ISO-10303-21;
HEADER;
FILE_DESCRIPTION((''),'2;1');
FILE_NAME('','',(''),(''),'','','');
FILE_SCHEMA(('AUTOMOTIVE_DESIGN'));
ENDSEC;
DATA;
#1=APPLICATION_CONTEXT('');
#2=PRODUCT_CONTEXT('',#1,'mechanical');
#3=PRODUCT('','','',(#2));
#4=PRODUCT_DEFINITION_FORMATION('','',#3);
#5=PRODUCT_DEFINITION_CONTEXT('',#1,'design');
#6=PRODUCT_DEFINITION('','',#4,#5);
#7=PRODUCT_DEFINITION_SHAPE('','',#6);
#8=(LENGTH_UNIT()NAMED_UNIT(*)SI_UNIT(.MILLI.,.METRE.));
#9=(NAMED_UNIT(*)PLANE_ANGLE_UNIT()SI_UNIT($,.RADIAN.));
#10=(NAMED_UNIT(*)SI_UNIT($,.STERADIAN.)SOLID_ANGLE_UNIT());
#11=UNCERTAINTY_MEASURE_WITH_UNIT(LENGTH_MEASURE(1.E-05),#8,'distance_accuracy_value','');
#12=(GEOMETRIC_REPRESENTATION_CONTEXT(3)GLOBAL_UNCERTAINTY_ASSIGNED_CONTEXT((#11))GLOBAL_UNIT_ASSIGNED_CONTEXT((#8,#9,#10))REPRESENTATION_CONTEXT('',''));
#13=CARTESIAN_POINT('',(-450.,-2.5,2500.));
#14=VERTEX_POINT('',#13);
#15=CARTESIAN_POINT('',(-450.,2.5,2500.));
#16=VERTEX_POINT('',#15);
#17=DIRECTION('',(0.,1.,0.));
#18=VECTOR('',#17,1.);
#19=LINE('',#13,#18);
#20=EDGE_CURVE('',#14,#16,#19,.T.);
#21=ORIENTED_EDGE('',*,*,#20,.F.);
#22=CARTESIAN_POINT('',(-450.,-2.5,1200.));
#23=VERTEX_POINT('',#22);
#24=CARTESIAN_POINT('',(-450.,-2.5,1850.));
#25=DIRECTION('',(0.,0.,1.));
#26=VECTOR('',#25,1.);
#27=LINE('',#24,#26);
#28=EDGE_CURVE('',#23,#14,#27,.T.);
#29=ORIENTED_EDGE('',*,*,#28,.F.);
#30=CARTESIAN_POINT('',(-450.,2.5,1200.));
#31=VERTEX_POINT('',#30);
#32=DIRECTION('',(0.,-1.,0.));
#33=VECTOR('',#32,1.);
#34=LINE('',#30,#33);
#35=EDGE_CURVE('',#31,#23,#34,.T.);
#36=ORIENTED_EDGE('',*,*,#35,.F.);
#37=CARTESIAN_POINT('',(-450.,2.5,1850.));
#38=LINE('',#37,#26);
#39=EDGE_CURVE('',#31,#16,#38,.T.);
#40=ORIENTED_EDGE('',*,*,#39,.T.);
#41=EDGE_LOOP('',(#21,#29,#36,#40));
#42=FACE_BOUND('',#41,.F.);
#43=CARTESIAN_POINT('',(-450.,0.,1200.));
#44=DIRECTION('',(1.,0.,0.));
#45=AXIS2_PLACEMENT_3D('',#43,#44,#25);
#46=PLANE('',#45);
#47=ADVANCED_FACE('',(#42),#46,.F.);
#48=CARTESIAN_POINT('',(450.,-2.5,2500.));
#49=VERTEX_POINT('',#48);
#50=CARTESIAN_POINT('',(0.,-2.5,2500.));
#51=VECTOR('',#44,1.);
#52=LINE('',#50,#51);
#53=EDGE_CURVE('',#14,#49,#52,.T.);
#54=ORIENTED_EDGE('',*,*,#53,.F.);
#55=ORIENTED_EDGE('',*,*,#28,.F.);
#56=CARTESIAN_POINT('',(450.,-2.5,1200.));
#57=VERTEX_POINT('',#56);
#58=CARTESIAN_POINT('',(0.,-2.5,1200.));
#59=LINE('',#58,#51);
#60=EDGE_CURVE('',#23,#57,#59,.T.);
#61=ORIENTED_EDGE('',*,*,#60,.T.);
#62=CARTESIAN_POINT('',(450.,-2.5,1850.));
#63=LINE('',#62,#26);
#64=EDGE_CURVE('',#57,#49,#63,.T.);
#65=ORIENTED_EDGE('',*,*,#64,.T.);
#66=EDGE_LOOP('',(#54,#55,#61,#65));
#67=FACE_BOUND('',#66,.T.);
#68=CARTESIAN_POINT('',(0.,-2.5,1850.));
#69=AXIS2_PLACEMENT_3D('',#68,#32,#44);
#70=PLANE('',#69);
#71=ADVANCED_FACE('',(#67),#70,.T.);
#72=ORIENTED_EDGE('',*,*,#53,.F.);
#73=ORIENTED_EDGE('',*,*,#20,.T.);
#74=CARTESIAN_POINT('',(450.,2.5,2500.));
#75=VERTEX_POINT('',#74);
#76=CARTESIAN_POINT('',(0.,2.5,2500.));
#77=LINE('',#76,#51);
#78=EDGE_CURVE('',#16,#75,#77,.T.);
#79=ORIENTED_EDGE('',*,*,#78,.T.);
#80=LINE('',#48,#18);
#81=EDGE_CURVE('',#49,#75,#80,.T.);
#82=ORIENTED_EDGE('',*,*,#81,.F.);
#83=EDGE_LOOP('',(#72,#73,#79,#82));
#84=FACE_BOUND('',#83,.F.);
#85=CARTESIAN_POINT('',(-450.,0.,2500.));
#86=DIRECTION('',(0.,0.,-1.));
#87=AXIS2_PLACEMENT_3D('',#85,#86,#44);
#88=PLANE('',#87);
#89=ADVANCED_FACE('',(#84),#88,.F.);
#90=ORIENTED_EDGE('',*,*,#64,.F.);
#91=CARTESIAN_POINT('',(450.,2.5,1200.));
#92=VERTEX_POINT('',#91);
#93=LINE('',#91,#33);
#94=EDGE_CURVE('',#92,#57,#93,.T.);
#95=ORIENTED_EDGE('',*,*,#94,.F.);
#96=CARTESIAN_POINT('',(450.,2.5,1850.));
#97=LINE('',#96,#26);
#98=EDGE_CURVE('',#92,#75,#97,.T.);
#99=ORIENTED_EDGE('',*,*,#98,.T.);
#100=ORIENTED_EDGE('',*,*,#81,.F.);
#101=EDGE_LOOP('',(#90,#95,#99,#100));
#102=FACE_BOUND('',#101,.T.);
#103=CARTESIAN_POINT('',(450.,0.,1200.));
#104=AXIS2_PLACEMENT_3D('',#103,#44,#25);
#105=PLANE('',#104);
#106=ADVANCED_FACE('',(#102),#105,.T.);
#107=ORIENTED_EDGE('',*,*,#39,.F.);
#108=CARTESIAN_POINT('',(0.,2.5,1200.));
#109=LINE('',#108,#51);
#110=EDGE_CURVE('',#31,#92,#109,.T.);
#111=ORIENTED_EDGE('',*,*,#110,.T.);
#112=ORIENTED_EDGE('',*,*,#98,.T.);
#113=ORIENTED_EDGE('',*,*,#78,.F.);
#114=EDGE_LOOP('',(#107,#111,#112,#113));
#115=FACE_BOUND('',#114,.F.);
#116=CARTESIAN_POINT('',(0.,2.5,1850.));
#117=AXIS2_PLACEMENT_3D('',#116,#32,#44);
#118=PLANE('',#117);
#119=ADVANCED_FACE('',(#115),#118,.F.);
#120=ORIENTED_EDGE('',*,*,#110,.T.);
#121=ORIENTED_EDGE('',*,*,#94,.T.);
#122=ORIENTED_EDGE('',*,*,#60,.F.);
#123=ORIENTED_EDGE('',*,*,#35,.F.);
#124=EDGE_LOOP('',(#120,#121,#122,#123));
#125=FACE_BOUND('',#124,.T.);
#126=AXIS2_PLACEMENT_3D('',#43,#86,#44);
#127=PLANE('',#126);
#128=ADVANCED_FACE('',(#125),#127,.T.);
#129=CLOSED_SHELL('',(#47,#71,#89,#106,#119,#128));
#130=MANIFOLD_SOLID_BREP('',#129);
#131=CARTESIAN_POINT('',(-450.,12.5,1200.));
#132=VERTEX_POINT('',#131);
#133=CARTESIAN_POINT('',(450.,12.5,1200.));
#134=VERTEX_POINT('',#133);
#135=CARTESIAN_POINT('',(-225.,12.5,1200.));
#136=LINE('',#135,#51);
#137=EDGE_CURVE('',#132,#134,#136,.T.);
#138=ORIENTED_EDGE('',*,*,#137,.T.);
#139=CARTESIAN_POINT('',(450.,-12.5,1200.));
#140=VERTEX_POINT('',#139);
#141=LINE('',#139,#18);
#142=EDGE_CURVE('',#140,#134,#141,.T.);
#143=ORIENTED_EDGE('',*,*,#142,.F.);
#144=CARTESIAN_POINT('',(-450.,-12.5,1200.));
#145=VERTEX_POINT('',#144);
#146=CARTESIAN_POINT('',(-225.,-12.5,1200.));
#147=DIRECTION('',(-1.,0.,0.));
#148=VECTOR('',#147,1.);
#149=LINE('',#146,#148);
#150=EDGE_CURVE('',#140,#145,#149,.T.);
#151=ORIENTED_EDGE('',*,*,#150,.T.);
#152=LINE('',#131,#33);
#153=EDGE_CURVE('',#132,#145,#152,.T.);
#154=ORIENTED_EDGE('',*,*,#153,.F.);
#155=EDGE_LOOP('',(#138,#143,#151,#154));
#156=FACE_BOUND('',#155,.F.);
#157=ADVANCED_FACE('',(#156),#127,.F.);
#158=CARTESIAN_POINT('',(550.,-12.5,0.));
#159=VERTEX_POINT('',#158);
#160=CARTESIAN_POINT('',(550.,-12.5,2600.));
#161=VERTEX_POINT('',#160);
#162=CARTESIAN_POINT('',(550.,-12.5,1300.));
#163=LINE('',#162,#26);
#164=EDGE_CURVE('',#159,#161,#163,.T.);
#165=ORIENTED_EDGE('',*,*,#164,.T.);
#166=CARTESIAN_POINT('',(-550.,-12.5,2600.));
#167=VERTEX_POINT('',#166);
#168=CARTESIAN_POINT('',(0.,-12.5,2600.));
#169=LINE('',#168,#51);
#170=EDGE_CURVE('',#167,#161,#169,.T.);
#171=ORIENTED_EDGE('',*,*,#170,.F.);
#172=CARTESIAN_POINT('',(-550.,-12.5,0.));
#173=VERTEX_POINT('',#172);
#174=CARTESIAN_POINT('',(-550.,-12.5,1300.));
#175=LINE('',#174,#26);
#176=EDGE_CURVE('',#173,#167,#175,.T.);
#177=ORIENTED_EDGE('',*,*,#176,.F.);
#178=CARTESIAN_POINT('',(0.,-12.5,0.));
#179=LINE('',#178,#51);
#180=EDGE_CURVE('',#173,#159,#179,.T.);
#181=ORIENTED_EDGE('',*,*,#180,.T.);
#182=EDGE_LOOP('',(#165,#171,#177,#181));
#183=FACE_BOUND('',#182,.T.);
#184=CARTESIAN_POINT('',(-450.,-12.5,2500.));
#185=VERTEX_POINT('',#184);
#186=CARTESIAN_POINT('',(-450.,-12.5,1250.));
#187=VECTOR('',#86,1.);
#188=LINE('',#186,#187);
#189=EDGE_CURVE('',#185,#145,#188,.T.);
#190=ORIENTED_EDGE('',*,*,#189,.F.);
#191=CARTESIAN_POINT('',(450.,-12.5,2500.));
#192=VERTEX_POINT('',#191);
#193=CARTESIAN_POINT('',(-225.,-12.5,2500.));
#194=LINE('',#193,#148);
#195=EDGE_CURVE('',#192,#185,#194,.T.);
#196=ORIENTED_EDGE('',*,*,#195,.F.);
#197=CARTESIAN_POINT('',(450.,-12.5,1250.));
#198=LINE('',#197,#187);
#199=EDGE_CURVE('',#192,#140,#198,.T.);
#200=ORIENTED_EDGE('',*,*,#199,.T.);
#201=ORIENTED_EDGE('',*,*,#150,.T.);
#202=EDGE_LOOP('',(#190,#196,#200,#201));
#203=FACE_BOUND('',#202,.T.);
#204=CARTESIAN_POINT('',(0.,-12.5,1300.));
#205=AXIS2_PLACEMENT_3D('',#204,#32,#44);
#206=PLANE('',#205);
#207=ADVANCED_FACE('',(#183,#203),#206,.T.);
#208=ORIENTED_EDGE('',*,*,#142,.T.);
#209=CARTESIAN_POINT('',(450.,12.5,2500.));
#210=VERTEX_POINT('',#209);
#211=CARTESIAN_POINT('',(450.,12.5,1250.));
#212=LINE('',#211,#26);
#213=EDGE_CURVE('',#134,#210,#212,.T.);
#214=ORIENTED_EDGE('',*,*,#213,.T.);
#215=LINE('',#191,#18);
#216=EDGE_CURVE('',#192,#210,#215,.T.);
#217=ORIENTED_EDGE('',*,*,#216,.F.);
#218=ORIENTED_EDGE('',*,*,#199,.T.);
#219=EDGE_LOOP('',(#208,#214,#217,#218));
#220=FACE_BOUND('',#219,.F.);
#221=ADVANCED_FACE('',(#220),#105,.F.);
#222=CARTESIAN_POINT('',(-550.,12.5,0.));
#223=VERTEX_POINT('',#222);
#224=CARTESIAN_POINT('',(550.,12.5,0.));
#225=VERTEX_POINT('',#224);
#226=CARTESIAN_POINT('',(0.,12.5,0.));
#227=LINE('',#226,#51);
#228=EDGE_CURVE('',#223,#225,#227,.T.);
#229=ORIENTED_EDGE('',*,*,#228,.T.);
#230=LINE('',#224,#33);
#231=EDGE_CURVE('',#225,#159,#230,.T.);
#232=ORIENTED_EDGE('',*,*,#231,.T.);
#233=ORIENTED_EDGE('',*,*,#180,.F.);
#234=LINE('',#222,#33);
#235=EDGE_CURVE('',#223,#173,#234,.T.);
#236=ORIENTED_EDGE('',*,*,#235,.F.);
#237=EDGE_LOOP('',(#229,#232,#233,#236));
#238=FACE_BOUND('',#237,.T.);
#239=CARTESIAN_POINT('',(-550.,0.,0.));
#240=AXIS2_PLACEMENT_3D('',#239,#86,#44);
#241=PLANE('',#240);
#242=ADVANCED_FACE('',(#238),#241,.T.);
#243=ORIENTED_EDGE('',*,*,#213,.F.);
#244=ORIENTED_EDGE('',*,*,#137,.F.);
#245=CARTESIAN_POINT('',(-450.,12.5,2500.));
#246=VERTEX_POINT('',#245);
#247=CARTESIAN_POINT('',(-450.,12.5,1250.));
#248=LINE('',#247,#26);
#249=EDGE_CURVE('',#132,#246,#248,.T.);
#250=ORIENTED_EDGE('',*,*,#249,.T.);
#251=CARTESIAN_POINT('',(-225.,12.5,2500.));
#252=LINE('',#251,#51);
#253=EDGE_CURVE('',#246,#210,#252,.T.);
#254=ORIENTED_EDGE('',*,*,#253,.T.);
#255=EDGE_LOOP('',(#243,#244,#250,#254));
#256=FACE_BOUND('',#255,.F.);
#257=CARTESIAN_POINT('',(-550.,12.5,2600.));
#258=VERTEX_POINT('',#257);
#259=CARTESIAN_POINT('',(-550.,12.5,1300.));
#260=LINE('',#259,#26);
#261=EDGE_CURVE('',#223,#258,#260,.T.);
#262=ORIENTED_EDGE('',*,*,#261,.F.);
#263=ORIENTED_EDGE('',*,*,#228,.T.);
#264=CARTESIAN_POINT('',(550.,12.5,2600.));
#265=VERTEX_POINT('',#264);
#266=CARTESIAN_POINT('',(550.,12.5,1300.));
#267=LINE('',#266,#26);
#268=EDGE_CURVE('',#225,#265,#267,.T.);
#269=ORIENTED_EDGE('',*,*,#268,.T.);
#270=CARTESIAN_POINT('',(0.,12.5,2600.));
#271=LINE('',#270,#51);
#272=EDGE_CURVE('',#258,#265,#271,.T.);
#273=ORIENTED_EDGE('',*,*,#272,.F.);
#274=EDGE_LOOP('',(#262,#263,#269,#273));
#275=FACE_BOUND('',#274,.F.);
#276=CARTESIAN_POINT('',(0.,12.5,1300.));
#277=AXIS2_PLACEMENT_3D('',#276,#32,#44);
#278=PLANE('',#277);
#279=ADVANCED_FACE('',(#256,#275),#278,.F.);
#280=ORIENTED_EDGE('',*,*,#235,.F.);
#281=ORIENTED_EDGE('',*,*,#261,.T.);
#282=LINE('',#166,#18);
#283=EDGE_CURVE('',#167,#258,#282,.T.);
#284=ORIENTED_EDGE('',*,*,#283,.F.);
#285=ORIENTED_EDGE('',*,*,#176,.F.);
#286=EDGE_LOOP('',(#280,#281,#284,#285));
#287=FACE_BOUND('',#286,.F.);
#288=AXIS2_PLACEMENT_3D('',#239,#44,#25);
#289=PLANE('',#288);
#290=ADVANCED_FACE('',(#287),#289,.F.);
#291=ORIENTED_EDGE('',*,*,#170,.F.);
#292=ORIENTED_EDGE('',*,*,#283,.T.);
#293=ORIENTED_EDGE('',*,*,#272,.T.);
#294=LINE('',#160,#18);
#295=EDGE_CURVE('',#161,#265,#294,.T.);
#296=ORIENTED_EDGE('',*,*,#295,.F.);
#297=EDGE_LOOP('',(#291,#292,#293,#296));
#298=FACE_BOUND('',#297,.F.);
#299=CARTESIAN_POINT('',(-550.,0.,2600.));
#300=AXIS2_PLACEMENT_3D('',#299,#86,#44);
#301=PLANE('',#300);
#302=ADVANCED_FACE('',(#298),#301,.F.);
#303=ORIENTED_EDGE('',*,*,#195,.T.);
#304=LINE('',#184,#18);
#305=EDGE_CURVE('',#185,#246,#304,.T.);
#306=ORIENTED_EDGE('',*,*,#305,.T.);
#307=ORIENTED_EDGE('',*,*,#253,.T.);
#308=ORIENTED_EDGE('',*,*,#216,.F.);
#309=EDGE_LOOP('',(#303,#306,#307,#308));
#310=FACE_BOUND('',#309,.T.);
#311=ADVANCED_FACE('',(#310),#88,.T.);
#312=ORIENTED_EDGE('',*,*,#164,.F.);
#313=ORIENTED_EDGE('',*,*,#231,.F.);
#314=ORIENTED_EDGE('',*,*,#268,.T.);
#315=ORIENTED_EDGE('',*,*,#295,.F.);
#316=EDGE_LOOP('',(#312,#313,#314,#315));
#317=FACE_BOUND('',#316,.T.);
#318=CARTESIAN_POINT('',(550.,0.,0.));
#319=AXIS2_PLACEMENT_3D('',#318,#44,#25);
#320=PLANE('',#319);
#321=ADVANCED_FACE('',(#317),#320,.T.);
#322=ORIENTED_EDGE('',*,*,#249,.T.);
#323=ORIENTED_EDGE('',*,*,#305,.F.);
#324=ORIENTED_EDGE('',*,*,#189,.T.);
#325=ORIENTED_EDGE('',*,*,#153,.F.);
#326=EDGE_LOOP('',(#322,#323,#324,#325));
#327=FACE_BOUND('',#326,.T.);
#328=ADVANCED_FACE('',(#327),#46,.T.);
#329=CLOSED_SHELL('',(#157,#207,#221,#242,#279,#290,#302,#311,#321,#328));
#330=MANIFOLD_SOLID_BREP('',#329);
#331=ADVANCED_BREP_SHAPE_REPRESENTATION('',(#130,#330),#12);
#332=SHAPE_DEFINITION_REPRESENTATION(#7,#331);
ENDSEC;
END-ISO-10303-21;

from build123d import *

# Parameters (mm, degrees)
F0_W          = 1100
F0_H          = 2600
F1_DEPTH      = 12.5
F2_W          = 900
F2_H          = 1300
F3_DEPTH      = 12.501
F3_DEPTH_BACK = 12.501
F4_W          = 900
F4_H          = 1300
F5_DEPTH      = 2.5


with BuildPart() as f1:
    # F0 (on Front) → F1 (new body, symmetric)
    with BuildSketch(Plane.XZ):
        with Locations((0, 1300)):
            Rectangle(F0_W, F0_H)
    extrude(amount=F1_DEPTH, both=True)

    # F2 (on Front) → F3 (cut, two sides)
    with BuildSketch(Plane.XZ) as f3_sk:
        with Locations((0, 1850)):
            Rectangle(F2_W, F2_H)
    extrude(amount=-F3_DEPTH, mode=Mode.SUBTRACT)
    extrude(f3_sk.sketch, amount=F3_DEPTH_BACK, mode=Mode.SUBTRACT)


with BuildPart() as f5:
    # F4 (on Front) → F5 (new body, symmetric)
    with BuildSketch(Plane.XZ):
        with Locations((0, 1850)):
            Rectangle(F4_W, F4_H)
    extrude(amount=F5_DEPTH, both=True)


solid = Compound([f1.part, f5.part])
